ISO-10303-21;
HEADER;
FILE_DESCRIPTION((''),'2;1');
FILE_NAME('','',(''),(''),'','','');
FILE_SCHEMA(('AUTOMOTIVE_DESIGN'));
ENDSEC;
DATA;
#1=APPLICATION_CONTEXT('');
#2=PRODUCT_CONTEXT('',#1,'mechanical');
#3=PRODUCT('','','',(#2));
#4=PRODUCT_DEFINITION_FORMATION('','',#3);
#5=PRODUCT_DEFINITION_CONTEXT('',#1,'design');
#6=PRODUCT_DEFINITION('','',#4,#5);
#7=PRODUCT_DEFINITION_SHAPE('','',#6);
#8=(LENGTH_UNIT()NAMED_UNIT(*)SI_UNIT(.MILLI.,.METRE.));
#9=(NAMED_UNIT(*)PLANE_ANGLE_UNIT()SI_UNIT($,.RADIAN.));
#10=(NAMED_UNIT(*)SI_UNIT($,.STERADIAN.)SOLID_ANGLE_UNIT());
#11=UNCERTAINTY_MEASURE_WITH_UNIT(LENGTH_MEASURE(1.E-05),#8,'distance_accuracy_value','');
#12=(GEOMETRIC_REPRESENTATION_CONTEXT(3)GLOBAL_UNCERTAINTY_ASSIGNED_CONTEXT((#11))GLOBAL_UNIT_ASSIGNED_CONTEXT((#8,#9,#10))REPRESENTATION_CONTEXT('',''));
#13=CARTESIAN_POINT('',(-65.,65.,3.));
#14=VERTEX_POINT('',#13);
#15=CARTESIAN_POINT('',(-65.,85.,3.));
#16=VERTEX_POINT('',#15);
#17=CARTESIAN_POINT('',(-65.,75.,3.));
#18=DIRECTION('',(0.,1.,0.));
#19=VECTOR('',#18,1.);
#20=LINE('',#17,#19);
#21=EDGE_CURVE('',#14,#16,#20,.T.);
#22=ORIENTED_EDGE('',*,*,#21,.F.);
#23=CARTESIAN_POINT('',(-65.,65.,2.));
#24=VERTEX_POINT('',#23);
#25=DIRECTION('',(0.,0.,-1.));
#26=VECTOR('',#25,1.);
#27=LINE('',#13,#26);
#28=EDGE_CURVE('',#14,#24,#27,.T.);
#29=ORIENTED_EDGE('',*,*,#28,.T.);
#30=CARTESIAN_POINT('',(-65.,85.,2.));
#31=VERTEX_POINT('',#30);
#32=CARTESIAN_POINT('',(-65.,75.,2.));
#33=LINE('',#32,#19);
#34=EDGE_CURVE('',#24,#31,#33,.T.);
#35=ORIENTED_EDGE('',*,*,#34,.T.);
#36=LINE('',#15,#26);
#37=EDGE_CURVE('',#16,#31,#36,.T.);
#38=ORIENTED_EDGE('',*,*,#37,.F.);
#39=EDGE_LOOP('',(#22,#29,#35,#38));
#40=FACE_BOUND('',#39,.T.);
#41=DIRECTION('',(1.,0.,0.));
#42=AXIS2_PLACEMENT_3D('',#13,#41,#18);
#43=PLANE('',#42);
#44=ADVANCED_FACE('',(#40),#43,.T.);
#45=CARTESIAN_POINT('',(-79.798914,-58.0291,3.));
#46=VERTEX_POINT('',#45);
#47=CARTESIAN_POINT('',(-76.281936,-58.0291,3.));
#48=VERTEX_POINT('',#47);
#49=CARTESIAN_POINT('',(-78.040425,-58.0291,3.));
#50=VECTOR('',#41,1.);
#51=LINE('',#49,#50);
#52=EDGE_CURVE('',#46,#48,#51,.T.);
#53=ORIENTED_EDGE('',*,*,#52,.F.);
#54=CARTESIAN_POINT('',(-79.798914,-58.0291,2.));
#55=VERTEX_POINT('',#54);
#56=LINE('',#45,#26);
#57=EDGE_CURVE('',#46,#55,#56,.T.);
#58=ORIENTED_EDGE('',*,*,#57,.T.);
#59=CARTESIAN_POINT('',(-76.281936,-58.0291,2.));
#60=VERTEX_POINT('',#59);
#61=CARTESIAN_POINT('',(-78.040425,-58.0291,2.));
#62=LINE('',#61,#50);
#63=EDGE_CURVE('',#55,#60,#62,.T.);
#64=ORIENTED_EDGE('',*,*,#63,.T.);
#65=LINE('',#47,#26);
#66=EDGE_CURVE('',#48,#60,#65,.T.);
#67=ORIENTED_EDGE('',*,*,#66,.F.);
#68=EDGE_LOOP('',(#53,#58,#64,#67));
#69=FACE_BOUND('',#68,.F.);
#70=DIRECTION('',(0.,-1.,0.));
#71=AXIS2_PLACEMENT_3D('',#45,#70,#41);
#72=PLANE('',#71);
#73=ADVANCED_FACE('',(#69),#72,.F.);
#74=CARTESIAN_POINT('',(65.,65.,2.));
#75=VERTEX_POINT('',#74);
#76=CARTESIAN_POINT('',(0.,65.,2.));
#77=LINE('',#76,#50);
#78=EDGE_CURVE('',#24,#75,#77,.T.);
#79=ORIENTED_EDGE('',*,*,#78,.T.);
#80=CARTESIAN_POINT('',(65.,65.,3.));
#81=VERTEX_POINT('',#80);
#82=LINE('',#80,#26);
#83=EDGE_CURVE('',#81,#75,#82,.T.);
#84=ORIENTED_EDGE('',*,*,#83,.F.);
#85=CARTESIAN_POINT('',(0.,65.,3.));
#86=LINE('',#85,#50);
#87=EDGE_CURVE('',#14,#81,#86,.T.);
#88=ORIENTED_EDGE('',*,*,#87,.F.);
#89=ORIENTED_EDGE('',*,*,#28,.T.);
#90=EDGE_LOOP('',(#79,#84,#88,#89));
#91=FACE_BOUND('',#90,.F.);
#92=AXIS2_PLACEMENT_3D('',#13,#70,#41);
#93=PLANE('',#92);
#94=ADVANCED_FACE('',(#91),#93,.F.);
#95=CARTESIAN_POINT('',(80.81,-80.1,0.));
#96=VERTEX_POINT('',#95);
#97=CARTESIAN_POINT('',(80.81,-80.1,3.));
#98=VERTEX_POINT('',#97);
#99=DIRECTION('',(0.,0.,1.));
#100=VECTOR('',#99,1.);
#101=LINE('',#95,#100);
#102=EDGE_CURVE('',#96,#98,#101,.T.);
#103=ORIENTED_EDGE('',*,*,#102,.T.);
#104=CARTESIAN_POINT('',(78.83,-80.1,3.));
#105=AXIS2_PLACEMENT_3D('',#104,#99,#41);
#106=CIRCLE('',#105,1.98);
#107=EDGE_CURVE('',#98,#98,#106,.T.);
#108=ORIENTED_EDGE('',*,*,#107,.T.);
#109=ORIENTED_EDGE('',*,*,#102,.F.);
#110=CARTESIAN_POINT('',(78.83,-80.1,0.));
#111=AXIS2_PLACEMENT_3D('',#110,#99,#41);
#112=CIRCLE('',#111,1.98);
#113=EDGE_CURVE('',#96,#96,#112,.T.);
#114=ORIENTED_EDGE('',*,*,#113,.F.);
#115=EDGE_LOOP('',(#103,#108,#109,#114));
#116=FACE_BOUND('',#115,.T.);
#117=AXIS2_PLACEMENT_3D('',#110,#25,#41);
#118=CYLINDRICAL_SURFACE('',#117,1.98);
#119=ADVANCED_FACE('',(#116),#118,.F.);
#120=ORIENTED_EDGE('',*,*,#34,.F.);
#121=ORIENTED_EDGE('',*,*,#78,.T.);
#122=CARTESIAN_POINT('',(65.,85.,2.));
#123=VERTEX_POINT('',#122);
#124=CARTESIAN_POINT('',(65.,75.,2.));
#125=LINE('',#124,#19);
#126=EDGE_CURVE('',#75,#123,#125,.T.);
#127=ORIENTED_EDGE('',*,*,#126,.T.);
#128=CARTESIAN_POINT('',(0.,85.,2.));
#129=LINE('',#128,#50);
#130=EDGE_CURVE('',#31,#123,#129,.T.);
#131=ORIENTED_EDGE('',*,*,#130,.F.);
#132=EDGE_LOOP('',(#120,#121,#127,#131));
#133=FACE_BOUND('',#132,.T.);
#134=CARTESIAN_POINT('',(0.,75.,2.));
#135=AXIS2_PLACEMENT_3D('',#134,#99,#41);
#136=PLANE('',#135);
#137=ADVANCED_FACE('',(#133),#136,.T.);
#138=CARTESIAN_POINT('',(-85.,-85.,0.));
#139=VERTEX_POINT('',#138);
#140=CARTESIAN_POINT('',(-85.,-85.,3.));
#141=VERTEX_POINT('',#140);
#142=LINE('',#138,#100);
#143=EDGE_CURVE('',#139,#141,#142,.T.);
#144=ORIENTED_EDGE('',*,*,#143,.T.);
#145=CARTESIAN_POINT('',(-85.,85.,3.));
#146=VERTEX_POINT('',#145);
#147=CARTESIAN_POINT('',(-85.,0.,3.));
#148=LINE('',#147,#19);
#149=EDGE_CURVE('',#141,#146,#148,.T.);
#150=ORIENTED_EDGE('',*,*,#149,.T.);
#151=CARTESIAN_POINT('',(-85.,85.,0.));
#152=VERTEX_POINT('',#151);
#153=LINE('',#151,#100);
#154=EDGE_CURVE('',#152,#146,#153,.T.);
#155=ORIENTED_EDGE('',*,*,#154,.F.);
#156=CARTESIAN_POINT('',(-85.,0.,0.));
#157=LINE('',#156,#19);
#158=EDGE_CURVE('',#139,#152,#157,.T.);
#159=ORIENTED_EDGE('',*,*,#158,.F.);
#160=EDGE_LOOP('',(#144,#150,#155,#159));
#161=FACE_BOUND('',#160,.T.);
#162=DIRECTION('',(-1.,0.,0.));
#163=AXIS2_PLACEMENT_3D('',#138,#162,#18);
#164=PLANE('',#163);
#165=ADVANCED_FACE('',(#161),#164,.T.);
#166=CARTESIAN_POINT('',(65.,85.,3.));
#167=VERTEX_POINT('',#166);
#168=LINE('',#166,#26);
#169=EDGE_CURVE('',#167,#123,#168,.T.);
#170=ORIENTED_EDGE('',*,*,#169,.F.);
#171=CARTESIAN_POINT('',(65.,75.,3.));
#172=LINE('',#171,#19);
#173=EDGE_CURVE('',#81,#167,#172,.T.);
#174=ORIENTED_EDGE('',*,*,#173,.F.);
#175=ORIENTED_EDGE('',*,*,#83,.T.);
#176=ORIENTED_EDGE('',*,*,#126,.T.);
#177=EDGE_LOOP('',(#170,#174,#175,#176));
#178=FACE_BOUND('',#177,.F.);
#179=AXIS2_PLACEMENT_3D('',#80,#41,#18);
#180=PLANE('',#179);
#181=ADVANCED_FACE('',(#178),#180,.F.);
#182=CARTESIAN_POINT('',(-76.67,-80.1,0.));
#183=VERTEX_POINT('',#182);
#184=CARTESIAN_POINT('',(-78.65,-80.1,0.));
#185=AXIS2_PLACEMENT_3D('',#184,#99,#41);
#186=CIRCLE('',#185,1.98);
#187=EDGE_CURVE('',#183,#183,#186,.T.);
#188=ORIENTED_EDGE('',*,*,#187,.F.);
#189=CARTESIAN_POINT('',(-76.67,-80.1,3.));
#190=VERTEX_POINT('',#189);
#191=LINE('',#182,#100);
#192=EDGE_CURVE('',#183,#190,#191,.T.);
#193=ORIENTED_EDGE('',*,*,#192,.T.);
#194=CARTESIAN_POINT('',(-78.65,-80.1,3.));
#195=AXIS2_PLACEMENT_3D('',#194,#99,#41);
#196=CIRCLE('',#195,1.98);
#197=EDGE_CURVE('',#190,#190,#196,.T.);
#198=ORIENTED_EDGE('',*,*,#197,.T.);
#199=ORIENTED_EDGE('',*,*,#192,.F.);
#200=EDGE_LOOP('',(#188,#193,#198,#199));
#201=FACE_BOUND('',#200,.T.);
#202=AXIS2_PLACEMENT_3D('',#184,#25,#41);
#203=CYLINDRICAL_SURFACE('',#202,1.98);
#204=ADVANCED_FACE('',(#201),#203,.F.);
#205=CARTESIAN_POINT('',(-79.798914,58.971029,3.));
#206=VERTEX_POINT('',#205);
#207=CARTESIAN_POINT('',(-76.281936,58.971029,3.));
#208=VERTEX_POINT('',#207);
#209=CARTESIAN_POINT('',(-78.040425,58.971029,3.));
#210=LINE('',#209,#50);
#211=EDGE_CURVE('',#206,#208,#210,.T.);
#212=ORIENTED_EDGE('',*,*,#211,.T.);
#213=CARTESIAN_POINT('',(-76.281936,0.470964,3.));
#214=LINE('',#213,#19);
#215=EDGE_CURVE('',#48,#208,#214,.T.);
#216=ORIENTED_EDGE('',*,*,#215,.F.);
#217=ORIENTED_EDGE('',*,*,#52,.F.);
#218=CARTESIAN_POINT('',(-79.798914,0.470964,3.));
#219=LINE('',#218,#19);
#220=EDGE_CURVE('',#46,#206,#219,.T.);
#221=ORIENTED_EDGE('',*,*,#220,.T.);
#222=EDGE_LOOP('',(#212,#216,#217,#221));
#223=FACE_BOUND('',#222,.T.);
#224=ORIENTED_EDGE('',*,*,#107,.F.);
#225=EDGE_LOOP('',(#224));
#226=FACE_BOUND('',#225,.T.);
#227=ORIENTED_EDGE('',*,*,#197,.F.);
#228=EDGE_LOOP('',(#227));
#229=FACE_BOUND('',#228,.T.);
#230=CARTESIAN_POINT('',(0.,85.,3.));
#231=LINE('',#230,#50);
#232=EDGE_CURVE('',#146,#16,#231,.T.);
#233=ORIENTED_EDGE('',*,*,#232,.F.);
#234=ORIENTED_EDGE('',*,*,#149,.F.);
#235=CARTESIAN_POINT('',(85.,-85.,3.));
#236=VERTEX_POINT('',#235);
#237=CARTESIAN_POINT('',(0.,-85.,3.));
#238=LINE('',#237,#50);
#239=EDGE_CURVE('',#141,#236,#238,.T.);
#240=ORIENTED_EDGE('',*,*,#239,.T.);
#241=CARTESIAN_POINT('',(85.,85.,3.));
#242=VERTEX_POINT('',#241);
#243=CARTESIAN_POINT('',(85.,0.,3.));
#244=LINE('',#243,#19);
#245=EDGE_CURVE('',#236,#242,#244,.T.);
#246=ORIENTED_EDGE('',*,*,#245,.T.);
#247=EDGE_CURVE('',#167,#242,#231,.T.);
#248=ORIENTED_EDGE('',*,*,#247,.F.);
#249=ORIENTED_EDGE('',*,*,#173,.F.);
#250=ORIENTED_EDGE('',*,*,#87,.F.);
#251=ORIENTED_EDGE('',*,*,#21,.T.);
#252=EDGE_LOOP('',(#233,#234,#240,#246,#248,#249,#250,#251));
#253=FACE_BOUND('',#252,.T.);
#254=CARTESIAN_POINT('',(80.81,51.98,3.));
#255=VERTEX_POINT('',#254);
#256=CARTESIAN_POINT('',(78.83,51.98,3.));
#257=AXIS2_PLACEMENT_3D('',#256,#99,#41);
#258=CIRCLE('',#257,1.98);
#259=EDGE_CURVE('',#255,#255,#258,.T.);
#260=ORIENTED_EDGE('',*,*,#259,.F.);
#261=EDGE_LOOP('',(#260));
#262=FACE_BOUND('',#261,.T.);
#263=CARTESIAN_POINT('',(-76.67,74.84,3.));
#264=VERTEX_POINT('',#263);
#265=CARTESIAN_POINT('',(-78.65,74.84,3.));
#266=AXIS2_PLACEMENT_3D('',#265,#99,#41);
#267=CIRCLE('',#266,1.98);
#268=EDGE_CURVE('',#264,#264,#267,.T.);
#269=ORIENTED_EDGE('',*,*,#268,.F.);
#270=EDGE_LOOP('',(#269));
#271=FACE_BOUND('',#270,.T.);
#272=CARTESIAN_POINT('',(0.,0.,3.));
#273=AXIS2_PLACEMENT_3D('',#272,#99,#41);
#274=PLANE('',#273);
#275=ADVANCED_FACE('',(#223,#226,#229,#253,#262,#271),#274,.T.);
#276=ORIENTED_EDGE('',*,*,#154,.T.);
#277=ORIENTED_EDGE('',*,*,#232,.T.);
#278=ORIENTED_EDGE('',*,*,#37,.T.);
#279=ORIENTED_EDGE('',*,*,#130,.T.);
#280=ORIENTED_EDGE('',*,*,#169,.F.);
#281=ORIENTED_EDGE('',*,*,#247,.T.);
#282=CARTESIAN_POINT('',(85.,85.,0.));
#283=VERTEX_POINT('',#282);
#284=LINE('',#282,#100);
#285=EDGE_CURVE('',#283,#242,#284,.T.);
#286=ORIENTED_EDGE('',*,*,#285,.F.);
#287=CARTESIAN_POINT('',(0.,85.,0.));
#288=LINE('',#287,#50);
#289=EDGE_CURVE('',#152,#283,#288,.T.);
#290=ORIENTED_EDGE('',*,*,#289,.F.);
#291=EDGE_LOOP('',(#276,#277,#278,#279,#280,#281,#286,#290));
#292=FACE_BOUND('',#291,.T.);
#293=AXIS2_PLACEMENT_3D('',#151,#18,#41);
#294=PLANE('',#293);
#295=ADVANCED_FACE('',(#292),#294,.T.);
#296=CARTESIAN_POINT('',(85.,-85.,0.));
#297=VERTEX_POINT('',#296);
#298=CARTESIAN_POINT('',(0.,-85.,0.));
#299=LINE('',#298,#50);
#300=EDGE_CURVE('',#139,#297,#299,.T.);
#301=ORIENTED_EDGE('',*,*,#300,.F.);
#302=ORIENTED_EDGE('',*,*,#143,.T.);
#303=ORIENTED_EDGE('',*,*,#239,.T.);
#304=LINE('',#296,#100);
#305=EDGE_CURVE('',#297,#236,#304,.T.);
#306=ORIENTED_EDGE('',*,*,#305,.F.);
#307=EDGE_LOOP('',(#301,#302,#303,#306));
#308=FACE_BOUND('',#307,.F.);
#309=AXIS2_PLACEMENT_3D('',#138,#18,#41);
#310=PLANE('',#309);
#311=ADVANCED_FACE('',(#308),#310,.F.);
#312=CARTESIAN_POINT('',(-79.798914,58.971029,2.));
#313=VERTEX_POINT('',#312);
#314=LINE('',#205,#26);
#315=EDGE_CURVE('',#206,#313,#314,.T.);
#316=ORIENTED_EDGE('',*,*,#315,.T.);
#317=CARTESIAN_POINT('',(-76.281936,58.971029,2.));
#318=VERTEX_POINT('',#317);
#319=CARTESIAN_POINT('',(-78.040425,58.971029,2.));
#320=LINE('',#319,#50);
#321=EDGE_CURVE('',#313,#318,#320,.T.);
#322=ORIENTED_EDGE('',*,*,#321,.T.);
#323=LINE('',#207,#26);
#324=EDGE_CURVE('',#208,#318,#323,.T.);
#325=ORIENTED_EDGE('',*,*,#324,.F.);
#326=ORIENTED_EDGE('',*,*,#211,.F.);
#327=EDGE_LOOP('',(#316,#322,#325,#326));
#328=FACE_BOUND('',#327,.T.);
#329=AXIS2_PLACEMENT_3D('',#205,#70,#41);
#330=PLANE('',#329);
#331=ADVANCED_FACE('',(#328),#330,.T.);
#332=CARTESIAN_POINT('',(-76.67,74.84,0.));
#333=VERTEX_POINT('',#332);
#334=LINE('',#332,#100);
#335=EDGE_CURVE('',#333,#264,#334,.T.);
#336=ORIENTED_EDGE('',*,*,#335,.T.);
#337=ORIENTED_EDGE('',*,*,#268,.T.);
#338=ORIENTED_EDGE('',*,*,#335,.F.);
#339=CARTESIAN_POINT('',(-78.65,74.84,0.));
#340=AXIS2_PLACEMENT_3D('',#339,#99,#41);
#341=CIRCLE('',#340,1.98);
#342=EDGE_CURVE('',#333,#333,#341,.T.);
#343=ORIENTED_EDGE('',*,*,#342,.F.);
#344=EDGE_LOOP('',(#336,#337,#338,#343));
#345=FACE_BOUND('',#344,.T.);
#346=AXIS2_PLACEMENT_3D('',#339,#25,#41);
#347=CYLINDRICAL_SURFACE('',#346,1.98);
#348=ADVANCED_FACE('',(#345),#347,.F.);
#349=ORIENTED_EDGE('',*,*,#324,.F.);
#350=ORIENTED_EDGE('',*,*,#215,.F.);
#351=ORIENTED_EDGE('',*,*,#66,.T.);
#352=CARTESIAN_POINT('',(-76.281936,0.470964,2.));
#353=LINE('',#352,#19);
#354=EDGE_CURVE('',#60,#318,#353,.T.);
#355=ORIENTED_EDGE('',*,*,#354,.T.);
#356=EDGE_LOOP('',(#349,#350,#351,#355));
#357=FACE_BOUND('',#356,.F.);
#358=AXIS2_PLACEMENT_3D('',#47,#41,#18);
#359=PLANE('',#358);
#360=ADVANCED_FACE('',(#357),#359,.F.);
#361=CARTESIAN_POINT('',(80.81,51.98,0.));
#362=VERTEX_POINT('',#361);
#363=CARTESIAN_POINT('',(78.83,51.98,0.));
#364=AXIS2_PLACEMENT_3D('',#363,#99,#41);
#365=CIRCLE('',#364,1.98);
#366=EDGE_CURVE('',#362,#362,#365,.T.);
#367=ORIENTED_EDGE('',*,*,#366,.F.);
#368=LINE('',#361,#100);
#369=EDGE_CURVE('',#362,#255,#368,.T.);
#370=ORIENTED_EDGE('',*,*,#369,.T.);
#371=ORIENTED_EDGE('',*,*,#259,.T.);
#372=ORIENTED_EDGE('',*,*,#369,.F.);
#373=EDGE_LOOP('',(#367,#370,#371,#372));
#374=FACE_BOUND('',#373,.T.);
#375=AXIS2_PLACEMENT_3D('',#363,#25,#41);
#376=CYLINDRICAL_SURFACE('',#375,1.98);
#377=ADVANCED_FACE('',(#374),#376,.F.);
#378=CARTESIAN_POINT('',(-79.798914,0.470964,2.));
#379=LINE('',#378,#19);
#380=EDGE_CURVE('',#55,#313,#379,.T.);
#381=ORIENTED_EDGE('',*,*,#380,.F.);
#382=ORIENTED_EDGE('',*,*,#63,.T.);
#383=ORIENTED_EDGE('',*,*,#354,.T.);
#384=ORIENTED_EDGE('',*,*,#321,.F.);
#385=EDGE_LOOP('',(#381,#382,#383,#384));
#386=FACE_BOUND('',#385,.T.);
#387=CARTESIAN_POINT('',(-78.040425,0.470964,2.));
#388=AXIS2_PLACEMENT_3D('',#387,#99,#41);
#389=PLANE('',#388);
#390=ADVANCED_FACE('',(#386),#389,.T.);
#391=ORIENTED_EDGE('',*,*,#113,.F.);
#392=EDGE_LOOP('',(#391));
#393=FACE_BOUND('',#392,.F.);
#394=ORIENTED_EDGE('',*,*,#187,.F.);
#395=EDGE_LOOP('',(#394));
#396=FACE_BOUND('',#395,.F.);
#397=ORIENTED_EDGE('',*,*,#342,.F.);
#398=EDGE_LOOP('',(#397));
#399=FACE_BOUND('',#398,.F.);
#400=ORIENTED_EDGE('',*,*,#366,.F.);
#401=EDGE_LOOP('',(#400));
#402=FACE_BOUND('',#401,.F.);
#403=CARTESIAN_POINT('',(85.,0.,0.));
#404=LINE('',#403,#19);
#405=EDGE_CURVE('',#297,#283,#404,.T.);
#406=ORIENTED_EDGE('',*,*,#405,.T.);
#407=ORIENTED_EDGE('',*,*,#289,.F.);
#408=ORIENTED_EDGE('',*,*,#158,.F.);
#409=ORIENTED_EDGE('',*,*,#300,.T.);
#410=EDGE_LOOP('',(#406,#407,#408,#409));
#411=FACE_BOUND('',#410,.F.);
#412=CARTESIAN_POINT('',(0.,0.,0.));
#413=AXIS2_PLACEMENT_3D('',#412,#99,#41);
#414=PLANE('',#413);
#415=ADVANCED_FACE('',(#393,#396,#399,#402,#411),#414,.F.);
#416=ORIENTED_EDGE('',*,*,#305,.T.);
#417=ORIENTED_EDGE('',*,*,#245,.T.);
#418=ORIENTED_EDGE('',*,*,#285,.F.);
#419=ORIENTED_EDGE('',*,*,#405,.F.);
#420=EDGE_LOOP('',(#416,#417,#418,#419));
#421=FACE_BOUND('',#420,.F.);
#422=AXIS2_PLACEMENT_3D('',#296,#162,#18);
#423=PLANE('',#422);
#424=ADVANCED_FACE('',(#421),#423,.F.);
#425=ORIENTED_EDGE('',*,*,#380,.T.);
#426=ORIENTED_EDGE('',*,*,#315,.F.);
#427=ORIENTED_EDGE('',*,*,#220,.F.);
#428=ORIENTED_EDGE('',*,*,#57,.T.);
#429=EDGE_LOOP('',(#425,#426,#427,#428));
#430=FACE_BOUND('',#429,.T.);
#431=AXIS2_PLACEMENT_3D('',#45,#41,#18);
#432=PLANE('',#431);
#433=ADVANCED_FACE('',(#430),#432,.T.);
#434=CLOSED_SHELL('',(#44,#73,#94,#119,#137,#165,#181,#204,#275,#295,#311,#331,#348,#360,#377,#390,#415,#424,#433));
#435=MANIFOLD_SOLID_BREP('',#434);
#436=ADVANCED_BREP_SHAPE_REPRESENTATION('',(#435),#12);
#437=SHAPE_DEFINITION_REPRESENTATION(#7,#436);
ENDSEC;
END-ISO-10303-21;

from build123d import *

# Parameters (mm, degrees)
F0_W     = 170
F0_H     = 170
F0_R     = 1.98
F1_DEPTH = 3
F2_W     = 130
F2_H     = 20
F3_DEPTH = 1
F4_W     = 3.516979
F4_H     = 117.000129
F5_DEPTH = 1


with BuildPart() as f1:
    # F0 (on Top) → F1 (new body)
    with BuildSketch(Plane.XY):
        Rectangle(F0_W, F0_H)
        with Locations((-78.65, -80.1)):
            Circle(F0_R, mode=Mode.SUBTRACT)
        with Locations((78.83, -80.1)):
            Circle(F0_R, mode=Mode.SUBTRACT)
        with Locations((-78.65, 74.84)):
            Circle(F0_R, mode=Mode.SUBTRACT)
        with Locations((78.83, 51.98)):
            Circle(F0_R, mode=Mode.SUBTRACT)
    extrude(amount=F1_DEPTH)

    # F2 (on face) → F3 (cut)
    with BuildSketch(Plane.XY.offset(3)):
        with Locations((0, 75)):
            Rectangle(F2_W, F2_H)
    extrude(amount=-F3_DEPTH, mode=Mode.SUBTRACT)

    # F4 (on face) → F5 (cut, through all)
    with BuildSketch(Plane.XY.offset(3)):
        with Locations((-78.040425, 0.470964)):
            Rectangle(F4_W, F4_H)
    extrude(amount=-F5_DEPTH, mode=Mode.SUBTRACT)


solid = f1.part
